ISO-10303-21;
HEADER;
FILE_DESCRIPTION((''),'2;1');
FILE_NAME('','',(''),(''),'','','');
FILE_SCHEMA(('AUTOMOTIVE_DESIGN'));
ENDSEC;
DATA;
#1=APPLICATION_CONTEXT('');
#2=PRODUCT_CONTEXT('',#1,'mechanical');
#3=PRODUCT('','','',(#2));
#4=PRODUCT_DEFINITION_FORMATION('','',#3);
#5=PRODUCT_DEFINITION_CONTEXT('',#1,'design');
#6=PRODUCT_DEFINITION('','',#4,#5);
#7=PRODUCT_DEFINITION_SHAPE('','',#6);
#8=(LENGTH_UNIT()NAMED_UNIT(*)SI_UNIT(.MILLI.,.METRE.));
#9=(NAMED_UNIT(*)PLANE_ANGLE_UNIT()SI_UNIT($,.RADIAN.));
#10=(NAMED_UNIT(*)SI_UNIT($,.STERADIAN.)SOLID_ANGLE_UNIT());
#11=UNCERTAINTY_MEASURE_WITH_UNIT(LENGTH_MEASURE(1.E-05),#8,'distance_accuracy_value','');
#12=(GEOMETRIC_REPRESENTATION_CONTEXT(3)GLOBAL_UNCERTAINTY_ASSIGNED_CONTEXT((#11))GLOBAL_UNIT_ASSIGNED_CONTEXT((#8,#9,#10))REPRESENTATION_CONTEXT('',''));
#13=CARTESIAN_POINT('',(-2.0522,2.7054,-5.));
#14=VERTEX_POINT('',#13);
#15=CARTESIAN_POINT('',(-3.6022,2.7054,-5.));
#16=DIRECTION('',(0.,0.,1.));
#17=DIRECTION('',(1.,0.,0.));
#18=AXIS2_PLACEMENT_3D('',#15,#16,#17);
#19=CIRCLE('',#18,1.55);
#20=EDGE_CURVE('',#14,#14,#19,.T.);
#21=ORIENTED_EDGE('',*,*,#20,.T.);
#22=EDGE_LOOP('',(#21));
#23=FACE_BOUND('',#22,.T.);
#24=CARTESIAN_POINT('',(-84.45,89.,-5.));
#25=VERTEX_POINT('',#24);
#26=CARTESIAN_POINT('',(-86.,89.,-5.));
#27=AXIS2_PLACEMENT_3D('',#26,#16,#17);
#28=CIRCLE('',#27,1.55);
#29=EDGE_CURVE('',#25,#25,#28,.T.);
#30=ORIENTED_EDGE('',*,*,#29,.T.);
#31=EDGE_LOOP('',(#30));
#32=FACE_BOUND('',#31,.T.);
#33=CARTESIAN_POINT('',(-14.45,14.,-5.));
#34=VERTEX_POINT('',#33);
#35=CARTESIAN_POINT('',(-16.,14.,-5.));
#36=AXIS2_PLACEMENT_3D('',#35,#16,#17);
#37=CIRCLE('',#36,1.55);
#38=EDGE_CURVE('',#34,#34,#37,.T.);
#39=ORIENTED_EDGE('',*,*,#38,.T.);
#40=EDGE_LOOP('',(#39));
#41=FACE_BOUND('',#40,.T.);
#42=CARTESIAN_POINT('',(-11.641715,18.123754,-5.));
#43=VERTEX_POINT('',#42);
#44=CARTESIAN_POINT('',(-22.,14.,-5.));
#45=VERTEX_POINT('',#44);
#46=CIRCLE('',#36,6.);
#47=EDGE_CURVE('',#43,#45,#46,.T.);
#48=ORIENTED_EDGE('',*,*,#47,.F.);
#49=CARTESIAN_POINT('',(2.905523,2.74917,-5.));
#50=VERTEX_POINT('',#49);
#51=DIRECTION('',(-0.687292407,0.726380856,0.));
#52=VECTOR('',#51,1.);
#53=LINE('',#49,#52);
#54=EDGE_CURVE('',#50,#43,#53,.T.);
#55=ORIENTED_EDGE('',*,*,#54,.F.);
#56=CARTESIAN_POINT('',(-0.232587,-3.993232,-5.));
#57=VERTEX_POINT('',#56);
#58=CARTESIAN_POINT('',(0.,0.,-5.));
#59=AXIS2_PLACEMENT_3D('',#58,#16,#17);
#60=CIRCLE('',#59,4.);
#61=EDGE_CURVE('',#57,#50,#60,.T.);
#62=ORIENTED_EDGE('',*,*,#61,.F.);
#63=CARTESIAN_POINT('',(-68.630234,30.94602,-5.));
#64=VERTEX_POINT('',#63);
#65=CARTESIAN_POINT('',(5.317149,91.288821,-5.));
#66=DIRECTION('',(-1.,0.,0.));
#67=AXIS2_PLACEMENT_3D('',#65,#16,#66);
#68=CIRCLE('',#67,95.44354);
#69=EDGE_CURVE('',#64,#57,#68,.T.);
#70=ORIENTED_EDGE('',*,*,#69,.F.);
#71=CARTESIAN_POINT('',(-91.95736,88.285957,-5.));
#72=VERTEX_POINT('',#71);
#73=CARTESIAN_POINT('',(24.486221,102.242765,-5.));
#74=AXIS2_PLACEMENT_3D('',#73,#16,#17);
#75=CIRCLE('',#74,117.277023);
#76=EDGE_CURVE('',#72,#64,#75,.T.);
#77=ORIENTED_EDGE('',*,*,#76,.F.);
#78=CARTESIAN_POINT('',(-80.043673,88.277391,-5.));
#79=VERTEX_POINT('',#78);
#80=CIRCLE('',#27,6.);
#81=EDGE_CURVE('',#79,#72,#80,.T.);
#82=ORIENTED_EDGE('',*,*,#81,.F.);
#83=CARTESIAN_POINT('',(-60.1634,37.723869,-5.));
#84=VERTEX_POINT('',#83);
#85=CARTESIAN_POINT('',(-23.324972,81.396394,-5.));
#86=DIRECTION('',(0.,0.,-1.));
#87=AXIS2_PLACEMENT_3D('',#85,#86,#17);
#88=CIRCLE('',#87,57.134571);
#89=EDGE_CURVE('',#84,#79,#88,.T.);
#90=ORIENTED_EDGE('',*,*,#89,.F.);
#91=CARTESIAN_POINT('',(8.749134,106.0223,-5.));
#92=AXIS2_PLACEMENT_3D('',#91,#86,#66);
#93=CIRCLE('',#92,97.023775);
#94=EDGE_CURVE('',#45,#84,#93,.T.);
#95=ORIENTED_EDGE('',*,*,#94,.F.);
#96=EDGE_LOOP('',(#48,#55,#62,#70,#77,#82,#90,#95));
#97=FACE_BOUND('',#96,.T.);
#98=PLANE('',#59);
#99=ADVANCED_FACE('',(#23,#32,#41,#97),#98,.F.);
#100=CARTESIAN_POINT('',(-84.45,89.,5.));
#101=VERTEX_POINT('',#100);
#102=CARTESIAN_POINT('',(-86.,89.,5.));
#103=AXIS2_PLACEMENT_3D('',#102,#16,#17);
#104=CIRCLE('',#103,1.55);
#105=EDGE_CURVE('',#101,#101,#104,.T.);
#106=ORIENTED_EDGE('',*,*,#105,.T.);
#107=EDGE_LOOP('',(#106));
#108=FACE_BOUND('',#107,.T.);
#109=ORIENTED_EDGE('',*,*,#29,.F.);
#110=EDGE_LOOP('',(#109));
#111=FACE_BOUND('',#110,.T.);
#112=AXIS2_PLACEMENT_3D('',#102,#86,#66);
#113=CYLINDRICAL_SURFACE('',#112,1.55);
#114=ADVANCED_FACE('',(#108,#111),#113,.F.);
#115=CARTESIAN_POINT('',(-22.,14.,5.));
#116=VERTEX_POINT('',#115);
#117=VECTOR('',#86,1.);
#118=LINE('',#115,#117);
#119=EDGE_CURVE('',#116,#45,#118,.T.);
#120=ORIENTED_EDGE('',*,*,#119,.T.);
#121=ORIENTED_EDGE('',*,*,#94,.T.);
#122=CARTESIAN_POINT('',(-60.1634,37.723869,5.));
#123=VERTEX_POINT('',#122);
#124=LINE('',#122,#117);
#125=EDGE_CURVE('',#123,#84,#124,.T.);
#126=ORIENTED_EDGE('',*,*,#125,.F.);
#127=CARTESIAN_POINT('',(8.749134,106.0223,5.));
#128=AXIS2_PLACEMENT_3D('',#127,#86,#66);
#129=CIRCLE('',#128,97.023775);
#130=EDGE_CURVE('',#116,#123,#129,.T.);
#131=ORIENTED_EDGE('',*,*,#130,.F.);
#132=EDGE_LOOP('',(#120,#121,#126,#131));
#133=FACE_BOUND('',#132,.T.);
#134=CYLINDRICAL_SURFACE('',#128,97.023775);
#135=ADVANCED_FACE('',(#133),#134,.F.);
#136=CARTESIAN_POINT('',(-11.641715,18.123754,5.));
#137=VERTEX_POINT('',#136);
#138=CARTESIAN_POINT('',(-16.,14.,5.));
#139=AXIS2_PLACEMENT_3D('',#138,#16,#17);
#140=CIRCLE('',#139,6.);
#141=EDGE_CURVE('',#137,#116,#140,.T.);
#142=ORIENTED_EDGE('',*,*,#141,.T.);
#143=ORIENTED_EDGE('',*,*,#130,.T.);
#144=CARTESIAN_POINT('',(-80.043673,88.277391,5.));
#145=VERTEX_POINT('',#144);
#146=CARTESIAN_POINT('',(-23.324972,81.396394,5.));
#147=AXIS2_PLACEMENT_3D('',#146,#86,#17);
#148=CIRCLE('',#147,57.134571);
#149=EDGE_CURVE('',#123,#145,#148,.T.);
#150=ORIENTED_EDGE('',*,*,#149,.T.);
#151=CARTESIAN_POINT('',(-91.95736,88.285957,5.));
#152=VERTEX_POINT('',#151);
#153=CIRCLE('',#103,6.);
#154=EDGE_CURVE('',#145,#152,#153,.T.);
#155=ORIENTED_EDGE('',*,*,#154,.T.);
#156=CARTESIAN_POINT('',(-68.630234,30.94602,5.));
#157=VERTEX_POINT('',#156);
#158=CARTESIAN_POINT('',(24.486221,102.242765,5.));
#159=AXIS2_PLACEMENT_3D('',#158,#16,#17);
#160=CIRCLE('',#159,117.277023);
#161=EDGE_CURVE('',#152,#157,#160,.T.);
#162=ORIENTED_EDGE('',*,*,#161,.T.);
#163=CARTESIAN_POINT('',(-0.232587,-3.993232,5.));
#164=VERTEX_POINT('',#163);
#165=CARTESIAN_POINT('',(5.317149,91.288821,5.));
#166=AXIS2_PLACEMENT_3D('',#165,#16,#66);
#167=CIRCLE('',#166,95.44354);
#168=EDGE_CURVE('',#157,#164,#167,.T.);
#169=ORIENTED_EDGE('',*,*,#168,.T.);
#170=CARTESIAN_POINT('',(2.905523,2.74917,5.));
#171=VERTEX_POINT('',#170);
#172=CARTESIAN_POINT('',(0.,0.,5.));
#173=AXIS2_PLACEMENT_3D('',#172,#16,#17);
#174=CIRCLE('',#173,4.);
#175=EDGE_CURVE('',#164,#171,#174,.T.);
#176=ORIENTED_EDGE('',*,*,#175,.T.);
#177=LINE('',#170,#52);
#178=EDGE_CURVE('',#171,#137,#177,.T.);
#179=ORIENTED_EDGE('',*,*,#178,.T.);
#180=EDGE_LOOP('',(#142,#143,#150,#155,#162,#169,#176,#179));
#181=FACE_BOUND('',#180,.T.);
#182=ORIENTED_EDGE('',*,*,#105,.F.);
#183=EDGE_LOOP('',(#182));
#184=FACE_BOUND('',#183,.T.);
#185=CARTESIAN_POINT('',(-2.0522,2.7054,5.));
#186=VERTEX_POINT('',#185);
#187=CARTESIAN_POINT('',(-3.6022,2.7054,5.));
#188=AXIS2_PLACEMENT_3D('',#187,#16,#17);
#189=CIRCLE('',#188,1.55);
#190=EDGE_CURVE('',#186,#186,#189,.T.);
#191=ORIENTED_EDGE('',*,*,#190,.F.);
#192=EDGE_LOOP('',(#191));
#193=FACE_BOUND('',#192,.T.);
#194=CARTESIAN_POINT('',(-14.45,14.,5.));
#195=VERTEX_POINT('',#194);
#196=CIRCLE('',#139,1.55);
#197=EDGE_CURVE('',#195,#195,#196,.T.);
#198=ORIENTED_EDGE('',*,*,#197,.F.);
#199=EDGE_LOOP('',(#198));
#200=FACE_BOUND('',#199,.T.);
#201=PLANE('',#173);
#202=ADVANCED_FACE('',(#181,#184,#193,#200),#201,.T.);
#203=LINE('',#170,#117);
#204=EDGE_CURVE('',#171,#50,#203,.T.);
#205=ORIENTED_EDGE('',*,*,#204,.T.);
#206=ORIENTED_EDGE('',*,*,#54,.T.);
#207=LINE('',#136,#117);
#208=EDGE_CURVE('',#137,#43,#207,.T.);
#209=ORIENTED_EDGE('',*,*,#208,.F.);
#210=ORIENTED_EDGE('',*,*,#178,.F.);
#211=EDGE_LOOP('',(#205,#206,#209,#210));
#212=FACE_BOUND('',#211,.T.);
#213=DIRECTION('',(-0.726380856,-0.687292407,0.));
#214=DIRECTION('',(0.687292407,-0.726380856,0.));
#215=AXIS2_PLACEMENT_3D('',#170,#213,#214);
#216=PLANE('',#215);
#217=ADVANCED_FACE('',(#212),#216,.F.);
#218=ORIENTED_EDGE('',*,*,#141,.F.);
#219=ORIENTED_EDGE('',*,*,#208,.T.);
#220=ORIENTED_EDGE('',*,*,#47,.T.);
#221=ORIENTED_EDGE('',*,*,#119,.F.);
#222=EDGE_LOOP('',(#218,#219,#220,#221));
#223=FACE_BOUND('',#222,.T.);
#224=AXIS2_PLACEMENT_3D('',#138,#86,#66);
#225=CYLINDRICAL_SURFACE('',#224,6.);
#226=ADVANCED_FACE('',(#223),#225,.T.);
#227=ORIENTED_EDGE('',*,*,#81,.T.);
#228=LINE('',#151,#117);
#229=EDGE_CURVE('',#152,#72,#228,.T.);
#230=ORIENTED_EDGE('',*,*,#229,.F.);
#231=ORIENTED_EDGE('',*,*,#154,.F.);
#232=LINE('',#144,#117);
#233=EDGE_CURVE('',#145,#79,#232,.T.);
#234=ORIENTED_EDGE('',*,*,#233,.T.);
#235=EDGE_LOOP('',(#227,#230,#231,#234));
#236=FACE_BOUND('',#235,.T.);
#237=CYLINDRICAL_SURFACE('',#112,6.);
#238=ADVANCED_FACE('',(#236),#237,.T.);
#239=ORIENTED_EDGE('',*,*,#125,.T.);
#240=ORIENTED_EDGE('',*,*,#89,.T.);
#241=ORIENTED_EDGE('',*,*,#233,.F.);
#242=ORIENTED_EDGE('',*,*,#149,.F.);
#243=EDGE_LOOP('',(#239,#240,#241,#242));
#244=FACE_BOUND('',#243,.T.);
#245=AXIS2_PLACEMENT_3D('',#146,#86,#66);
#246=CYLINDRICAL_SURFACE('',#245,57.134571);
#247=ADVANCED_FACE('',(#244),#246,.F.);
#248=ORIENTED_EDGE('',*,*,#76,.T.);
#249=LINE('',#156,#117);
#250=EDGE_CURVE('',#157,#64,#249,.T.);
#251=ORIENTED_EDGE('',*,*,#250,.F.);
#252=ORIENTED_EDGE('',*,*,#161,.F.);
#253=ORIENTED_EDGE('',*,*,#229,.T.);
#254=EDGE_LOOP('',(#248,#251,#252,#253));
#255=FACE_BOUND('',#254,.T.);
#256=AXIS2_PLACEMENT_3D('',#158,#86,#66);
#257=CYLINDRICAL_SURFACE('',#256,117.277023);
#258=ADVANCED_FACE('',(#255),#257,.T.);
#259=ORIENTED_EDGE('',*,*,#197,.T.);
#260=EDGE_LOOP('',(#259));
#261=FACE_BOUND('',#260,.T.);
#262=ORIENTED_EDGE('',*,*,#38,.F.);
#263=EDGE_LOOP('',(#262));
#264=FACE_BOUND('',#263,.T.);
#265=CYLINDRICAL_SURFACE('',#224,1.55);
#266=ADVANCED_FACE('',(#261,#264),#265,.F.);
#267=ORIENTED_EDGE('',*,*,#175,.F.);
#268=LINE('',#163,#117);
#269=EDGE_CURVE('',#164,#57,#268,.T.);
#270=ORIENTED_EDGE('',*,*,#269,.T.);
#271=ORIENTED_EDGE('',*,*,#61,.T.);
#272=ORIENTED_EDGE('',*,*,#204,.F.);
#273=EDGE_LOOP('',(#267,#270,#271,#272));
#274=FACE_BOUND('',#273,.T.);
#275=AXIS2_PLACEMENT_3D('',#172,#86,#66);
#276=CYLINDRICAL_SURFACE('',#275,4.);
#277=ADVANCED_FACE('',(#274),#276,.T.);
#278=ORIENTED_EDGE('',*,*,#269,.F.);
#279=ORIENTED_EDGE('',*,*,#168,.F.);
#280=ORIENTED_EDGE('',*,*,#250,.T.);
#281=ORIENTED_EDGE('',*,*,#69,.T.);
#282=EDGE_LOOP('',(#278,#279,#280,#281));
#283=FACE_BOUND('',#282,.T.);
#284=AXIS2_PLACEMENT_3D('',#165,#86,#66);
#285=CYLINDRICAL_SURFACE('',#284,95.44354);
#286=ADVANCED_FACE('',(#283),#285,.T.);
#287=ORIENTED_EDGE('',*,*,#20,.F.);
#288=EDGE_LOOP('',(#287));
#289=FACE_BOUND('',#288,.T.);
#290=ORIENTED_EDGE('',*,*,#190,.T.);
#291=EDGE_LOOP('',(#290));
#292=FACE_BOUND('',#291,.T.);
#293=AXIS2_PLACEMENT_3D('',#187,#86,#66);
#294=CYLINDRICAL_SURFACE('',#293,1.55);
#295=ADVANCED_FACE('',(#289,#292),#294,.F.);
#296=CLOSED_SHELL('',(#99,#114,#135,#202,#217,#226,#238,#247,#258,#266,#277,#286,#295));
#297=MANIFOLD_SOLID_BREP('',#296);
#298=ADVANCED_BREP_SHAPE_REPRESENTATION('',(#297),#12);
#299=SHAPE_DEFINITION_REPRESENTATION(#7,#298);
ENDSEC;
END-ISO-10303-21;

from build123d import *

# Parameters (mm, degrees)
BOSS_EXTRUDE1_DEPTH      = 5
BOSS_EXTRUDE1_DEPTH_BACK = 5
SKETCH2_R                = 1.55


with BuildPart() as part:
    # Sketch2 → Boss-Extrude1 (new, two sides: drawn at the far end of the back side and taken through both)
    with BuildSketch(Plane.XY.offset(-BOSS_EXTRUDE1_DEPTH_BACK)):
        with BuildLine():
            Line((2.905523423, 2.749169627), (-11.641714865, 18.12375444))
            ThreePointArc((-11.641714865, 18.12375444), (-18.21926668, 19.574482524), (-22, 14))
            ThreePointArc((-22, 14), (-42.474078457, 23.622085), (-60.163399658, 37.723869421))
            ThreePointArc((-60.163399658, 37.723869421), (-76.495910352, 60.486816081), (-80.043672644, 88.277390543))
            ThreePointArc((-80.043672644, 88.277390543), (-85.99568578, 94.999998449), (-91.957360362, 88.285956923))
            ThreePointArc((-91.957360362, 88.285956923), (-84.145355247, 58.049091263), (-68.630234445, 30.946019566))
            ThreePointArc((-68.630234445, 30.946019566), (-38.101001964, 6.292742427), (-0.232587209, -3.993232173))
            ThreePointArc((-0.232587209, -3.993232173), (3.626450401, -1.687855885), (2.905523423, 2.749169627))
        make_face()
        with Locations((-86, 89)):
            Circle(SKETCH2_R, mode=Mode.SUBTRACT)
        with Locations((-16, 14)):
            Circle(SKETCH2_R, mode=Mode.SUBTRACT)
        with Locations((-3.6022, 2.7054)):
            Circle(SKETCH2_R, mode=Mode.SUBTRACT)
    extrude(amount=BOSS_EXTRUDE1_DEPTH + BOSS_EXTRUDE1_DEPTH_BACK)


solid = part.part
